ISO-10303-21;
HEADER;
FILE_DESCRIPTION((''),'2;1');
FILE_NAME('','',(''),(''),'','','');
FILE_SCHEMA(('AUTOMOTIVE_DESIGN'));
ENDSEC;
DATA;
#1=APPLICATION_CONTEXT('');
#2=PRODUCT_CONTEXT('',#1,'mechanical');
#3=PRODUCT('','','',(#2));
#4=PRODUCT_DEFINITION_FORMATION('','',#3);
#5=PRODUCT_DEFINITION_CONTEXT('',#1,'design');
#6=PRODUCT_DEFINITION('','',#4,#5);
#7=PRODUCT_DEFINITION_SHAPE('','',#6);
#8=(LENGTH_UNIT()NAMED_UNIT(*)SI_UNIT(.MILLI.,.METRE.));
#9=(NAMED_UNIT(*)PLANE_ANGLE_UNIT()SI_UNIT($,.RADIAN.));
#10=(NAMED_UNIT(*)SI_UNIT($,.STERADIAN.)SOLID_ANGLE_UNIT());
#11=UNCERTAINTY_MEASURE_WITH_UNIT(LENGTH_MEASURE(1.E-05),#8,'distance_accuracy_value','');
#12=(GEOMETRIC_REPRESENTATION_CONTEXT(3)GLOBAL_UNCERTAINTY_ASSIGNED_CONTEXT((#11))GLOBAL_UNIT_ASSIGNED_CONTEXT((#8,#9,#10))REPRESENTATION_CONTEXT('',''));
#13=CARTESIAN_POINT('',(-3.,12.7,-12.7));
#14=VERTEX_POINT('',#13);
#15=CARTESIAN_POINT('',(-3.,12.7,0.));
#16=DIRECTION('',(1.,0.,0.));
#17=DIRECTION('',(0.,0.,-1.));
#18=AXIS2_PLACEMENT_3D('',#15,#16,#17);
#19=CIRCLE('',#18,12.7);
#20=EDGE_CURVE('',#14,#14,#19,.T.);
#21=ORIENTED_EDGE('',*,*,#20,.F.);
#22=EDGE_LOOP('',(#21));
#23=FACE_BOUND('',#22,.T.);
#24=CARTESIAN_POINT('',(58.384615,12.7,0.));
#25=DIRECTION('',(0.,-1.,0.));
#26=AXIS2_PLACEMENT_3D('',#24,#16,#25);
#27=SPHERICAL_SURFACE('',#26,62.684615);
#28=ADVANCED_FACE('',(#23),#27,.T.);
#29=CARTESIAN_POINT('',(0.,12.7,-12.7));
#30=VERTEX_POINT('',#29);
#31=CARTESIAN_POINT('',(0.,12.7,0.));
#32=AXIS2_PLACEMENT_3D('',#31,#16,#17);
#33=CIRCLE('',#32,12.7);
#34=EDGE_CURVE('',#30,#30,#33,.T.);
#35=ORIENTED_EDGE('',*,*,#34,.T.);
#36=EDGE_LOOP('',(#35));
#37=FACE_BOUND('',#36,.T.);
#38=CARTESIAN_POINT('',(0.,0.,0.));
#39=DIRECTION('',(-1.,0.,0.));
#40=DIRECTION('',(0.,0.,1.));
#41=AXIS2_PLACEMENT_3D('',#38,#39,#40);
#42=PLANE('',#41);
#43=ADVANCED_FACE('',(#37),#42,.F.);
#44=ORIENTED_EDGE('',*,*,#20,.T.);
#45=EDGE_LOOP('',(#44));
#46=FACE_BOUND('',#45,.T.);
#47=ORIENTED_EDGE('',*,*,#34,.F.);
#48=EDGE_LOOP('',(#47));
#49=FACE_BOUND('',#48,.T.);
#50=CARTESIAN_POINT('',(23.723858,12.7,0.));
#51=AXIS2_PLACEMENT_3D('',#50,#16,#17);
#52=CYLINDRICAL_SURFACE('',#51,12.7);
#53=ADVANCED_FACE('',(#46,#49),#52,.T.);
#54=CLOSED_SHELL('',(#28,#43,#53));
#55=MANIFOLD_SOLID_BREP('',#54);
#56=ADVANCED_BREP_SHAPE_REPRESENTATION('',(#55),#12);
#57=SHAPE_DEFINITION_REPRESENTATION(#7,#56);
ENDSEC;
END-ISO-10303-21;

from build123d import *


with BuildPart() as part:
    # Sketch2 → Revolve3 (revolve)
    with BuildSketch(Plane.XY, mode=Mode.PRIVATE) as revolve3_sk:
        with BuildLine():
            Line((0, 0), (0, 12.7))
            Line((0, 12.7), (-4.3, 12.7))
            ThreePointArc((-4.3, 12.7), (-3.974153092, 6.316818975), (-3, 0))
            Line((-3, 0), (0, 0))
        make_face()
    revolve(revolve3_sk.sketch.rotate(Axis((23.723857868, 12.7, 0), (-1, 0, 0)), 270), axis=Axis((23.723857868, 12.7, 0), (-1, 0, 0)))


solid = part.part
